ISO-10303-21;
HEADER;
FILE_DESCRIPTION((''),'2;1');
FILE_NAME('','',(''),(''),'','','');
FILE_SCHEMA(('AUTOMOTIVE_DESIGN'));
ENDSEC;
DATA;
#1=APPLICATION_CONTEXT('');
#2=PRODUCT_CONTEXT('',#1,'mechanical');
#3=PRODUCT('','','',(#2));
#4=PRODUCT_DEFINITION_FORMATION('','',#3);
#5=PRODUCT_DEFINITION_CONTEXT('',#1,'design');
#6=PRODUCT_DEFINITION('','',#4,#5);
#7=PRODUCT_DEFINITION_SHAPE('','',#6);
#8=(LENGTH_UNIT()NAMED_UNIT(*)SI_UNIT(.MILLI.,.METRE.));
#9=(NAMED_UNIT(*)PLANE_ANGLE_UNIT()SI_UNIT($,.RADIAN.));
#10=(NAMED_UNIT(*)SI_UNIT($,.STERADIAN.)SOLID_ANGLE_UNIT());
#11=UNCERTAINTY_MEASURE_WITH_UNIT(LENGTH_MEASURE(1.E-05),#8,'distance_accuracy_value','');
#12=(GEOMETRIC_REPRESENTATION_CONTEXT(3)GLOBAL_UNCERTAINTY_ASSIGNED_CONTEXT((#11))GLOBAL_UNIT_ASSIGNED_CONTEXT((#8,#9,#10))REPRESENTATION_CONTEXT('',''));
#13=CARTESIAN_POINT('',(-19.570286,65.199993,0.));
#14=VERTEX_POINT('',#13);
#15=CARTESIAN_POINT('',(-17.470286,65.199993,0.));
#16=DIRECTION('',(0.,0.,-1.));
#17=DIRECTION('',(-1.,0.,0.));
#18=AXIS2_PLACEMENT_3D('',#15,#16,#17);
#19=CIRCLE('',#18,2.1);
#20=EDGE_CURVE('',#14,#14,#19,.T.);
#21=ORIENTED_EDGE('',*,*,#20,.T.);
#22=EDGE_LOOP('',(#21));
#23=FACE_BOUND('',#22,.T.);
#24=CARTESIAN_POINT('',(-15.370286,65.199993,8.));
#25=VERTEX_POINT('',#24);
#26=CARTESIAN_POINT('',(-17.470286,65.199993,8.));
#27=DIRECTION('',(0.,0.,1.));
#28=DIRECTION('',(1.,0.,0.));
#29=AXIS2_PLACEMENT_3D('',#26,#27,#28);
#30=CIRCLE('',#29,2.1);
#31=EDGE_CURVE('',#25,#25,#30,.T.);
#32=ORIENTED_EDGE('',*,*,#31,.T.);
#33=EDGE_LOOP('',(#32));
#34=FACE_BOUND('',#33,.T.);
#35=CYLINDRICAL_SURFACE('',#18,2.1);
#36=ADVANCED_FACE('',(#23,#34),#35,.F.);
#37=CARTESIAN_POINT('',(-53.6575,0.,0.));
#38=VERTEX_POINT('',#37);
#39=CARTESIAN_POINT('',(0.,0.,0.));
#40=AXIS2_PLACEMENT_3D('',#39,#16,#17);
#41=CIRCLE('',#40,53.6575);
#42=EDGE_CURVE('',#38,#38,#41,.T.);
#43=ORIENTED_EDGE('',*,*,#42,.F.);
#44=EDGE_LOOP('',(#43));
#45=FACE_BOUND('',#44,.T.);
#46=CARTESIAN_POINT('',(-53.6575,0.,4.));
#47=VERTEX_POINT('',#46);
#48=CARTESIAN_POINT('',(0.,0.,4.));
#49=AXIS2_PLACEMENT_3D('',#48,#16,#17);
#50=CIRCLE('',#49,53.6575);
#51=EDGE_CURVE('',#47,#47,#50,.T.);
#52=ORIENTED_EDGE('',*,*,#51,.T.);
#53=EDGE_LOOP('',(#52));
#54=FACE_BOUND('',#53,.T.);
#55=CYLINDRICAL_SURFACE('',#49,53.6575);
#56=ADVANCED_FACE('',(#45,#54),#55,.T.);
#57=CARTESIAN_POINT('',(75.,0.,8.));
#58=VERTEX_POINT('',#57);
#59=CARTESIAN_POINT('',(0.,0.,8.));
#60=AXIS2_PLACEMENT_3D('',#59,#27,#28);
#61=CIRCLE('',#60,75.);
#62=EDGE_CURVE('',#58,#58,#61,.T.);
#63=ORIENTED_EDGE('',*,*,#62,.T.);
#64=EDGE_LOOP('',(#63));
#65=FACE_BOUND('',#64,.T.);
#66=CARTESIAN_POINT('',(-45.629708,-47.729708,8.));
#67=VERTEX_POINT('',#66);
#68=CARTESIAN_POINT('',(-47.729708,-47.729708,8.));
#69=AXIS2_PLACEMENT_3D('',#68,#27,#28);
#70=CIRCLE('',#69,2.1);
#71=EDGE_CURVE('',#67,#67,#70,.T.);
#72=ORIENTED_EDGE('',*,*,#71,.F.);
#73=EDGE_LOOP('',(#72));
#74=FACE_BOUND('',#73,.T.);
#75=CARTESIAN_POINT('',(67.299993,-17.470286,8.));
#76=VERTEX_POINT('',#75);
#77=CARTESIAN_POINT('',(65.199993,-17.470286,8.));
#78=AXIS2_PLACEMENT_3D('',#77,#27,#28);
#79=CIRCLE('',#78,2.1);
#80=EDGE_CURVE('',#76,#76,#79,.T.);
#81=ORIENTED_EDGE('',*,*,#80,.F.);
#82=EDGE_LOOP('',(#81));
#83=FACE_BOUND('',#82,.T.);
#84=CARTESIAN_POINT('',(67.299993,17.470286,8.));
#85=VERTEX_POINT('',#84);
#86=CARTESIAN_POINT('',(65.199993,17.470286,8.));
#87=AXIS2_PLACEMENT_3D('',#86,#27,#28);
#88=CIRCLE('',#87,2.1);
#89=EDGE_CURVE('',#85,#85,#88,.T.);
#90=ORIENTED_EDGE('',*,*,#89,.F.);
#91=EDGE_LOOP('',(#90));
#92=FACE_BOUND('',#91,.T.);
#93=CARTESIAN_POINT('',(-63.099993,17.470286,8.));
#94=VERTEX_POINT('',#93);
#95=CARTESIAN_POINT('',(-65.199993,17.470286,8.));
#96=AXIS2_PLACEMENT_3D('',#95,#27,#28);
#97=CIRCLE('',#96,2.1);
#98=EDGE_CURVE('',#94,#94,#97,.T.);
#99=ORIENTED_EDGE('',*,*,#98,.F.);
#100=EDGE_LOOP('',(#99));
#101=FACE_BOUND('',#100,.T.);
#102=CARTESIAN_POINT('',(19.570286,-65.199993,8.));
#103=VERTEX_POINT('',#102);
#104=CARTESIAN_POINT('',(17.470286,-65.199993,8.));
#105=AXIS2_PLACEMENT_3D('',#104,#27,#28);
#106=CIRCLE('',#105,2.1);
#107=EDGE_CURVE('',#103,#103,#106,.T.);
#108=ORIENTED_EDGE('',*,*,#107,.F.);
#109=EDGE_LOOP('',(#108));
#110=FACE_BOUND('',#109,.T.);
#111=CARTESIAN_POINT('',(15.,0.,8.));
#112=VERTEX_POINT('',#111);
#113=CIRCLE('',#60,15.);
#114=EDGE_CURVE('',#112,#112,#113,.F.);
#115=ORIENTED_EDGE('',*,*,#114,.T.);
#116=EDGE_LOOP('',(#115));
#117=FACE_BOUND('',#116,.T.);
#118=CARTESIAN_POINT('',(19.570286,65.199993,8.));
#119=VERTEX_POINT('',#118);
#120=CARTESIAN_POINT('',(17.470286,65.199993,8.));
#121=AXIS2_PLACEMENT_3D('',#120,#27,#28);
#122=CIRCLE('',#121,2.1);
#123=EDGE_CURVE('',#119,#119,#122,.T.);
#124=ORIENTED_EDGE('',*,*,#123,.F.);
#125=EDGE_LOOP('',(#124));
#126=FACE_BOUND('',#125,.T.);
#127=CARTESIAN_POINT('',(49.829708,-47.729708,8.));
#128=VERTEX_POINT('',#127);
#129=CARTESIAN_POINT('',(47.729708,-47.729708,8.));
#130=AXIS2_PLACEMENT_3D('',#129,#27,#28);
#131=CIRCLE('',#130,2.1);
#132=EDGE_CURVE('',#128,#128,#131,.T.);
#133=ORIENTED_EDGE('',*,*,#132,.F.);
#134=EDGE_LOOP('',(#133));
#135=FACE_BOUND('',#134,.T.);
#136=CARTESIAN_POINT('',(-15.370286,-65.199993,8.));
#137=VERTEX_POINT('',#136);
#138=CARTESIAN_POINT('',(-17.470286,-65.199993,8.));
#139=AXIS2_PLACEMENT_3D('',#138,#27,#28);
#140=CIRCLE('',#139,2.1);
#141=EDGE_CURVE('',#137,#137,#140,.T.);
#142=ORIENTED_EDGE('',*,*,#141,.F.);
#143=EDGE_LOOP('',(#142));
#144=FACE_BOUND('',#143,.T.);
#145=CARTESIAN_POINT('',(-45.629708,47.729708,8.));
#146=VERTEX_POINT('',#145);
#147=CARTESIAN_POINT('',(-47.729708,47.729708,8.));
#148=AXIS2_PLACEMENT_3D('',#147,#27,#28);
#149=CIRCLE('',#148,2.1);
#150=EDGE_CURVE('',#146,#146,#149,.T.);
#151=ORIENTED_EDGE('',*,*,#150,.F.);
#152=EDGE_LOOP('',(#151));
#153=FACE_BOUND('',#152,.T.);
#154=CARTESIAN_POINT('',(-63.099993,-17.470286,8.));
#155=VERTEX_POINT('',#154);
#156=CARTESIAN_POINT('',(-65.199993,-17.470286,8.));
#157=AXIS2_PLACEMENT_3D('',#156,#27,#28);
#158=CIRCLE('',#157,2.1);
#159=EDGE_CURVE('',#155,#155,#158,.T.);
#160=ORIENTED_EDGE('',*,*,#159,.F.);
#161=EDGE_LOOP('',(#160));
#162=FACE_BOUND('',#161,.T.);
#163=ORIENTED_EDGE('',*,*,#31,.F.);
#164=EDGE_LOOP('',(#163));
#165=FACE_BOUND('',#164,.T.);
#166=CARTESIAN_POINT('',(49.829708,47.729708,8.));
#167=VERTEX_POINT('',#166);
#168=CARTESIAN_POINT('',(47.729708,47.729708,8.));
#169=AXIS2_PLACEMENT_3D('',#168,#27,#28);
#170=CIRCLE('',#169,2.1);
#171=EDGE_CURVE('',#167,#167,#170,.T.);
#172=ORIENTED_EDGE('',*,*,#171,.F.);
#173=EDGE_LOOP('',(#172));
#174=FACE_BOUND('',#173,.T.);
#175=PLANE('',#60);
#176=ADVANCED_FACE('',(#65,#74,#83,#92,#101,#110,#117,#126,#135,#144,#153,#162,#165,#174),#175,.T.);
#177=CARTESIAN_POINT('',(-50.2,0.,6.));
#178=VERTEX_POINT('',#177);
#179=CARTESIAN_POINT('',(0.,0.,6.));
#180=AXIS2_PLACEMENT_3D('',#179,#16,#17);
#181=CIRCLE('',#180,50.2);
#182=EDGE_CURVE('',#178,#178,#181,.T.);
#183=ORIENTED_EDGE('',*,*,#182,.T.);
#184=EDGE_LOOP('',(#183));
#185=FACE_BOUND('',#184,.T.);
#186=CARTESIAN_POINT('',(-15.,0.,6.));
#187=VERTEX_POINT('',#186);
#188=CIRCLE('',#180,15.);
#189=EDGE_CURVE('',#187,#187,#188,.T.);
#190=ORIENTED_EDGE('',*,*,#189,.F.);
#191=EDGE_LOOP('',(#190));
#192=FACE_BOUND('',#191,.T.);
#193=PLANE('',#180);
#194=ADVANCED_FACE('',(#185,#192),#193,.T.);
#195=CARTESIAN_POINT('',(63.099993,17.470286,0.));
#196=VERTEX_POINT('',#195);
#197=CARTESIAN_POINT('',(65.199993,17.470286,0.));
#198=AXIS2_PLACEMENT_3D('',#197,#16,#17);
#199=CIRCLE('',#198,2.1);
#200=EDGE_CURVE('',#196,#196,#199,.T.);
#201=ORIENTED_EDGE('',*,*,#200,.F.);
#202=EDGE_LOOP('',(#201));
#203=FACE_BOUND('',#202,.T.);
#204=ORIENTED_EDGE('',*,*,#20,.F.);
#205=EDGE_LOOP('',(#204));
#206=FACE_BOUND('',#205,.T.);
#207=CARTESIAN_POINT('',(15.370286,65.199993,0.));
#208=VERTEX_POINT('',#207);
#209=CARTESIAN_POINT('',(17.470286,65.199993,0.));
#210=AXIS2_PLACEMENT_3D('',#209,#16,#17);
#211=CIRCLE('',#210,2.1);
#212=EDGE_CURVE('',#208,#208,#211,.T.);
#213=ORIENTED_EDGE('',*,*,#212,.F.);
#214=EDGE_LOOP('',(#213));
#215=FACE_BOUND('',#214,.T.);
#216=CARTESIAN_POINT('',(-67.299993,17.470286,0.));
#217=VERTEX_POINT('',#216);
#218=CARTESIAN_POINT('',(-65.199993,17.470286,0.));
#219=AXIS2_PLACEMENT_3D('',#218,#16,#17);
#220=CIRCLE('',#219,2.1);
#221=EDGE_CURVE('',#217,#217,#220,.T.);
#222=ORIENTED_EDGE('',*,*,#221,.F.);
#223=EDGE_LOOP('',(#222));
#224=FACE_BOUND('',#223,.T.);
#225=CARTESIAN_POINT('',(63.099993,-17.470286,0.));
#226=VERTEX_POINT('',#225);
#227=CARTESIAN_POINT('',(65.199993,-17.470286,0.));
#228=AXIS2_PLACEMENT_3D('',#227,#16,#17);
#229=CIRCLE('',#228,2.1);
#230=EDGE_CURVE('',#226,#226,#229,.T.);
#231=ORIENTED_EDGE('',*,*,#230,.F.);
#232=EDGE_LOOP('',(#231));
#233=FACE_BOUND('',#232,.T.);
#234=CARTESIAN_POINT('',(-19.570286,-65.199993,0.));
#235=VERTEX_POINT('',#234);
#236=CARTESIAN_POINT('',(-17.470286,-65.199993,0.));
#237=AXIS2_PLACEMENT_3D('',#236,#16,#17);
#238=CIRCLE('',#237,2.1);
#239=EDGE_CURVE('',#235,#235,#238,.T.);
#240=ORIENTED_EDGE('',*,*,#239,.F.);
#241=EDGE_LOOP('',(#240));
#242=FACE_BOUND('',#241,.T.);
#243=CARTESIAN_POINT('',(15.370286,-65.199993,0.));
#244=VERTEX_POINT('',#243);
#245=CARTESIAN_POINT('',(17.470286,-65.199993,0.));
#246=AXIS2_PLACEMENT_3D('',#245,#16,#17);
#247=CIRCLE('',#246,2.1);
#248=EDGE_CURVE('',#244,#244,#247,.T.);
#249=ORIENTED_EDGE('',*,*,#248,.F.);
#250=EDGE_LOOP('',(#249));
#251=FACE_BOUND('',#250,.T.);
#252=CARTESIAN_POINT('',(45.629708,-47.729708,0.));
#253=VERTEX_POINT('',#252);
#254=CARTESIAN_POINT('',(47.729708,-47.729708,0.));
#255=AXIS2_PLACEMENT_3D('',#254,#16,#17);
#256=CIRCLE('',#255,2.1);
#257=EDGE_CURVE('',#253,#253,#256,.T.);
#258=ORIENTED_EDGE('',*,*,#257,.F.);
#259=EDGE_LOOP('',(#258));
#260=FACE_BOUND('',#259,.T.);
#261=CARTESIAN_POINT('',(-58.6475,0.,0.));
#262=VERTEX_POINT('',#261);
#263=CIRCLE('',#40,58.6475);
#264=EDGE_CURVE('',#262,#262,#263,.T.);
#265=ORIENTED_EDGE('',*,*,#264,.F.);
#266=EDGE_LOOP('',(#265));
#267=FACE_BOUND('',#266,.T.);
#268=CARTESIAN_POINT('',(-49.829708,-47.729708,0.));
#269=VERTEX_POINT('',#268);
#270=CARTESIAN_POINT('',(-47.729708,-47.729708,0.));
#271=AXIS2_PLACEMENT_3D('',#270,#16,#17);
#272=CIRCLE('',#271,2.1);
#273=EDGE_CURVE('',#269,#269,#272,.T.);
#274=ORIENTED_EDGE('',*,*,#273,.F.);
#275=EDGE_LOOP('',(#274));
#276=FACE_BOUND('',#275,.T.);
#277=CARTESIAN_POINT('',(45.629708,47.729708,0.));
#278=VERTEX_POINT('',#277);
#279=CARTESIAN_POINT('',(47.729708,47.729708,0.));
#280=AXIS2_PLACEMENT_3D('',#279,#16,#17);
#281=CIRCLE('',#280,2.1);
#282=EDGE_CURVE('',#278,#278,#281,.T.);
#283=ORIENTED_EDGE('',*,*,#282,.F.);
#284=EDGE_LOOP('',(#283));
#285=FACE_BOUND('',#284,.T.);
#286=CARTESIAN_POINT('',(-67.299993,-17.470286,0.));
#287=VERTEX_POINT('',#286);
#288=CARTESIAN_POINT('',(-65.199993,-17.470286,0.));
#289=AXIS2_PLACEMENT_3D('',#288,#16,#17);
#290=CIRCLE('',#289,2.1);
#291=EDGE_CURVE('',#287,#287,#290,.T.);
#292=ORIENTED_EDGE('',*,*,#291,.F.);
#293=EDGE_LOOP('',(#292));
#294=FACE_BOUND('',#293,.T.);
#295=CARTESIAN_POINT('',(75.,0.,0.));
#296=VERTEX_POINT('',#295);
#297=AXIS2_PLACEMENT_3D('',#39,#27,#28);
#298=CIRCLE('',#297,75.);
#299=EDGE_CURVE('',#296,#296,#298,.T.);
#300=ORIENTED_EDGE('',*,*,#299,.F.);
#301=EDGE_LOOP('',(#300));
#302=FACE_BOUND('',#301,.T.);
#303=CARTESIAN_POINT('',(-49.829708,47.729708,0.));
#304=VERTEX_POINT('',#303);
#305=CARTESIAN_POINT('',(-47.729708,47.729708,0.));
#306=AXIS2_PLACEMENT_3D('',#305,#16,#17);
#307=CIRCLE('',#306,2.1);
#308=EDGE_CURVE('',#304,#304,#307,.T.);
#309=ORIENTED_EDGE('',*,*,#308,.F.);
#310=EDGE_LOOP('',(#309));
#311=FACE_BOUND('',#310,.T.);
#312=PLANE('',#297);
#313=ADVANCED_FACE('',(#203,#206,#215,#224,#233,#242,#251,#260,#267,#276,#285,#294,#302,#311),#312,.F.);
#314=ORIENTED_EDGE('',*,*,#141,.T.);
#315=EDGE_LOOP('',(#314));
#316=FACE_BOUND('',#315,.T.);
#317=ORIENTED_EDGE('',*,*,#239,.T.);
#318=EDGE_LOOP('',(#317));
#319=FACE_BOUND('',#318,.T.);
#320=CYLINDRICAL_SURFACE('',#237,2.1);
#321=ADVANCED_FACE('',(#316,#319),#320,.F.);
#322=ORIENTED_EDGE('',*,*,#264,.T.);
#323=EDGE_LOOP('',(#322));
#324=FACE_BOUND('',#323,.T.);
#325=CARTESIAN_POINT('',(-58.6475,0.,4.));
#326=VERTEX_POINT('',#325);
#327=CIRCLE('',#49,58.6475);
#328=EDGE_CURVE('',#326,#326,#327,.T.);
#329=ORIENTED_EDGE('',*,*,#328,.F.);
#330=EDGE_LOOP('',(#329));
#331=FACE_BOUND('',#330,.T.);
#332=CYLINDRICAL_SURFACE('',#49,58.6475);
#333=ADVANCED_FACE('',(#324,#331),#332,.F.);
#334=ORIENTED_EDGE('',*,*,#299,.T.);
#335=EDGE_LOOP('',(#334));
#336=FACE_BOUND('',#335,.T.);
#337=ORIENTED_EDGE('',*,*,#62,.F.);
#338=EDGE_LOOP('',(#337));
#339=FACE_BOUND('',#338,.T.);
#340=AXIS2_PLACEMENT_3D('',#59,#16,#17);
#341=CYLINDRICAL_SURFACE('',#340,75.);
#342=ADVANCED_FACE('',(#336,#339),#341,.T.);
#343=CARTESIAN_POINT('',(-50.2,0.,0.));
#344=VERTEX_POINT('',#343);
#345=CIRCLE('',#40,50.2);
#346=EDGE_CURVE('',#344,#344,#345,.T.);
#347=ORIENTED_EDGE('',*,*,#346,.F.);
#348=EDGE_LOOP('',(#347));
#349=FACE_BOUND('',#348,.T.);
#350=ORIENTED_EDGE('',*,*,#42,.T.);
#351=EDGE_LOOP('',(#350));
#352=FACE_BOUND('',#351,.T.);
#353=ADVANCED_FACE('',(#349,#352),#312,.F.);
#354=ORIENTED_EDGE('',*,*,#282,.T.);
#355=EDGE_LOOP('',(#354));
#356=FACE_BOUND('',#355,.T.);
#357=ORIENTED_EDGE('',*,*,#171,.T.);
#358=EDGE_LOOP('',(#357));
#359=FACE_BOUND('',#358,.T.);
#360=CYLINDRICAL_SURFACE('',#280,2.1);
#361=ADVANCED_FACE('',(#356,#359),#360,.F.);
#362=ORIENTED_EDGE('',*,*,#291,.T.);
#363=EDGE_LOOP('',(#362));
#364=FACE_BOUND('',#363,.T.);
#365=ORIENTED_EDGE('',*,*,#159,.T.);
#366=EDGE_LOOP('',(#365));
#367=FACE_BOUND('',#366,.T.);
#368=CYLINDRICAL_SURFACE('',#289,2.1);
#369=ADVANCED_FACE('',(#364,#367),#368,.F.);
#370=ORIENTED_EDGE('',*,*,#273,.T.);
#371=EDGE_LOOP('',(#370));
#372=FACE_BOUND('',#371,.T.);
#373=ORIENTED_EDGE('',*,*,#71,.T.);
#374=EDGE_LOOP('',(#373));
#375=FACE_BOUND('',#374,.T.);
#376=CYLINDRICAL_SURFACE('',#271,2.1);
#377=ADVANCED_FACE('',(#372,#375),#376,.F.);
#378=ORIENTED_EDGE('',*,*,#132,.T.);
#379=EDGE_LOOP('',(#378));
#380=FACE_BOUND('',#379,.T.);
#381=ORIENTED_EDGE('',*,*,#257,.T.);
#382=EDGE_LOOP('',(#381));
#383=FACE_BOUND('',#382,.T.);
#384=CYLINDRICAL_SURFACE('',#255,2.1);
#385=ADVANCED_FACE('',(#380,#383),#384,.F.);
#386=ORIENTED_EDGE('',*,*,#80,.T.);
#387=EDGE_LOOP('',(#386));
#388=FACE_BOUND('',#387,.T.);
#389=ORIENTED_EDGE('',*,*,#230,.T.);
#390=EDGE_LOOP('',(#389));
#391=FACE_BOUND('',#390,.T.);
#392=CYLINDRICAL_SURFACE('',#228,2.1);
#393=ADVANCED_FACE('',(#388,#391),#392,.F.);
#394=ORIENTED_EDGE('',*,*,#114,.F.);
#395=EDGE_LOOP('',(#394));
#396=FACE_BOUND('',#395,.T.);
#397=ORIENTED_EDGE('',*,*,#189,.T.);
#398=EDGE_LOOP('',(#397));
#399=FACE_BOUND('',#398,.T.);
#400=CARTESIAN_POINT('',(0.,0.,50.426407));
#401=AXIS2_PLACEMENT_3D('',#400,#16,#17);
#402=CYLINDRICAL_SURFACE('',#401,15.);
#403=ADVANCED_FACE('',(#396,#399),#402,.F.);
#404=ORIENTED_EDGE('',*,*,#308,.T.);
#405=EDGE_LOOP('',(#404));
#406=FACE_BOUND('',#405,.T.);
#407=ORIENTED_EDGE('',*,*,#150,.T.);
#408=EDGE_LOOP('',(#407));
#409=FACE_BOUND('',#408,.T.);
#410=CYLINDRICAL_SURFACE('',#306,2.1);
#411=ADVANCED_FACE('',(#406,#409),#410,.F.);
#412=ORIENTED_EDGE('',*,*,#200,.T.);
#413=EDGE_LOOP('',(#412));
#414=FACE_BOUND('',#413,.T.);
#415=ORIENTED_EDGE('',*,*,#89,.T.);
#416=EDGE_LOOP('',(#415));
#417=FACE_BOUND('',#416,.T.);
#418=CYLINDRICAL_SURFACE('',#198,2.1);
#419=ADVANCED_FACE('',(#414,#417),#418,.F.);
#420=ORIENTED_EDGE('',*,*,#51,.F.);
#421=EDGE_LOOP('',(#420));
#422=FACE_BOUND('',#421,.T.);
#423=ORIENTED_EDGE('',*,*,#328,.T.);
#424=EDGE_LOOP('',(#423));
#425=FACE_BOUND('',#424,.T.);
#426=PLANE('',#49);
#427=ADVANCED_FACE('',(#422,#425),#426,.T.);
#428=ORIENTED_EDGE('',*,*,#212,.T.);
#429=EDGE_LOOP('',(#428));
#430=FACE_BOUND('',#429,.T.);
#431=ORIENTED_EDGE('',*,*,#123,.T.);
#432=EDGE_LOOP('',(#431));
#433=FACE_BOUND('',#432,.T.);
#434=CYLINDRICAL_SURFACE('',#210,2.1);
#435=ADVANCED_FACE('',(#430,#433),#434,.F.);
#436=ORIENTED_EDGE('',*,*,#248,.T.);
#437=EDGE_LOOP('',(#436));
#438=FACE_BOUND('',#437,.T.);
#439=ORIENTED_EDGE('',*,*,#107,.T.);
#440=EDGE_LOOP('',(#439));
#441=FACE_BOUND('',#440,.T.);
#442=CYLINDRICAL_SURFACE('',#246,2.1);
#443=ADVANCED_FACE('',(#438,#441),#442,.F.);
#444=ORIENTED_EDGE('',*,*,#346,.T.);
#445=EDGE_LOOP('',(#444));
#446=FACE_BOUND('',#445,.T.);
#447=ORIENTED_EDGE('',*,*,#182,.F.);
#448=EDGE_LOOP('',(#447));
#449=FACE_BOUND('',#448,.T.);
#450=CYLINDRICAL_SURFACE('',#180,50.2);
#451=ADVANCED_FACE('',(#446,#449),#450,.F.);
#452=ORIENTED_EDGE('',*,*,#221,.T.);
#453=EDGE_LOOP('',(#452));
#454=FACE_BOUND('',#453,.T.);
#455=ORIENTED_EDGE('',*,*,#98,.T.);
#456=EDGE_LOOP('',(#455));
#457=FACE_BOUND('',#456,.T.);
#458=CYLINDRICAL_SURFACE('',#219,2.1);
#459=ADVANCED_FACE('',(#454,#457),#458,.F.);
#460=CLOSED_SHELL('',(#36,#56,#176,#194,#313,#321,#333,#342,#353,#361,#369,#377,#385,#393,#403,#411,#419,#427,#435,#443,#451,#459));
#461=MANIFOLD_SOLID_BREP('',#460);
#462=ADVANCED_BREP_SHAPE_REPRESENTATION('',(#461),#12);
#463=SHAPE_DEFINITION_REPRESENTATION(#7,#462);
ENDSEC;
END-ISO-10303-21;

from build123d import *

# Parameters (mm, degrees)
SKETCH1_R             = 75
BOSS_EXTRUDE1_DEPTH   = 8
M5X0_8_TAPPED_HOLE1_D = 4.2
SKETCH11_R            = 50.2
CUT_EXTRUDE3_DEPTH    = 6
SKETCH12_R            = 58.6475
SKETCH12_R_2          = 53.6575
CUT_EXTRUDE4_DEPTH    = 4
SKETCH13_R            = 15
CUT_EXTRUDE5_DEPTH    = 2


with BuildPart() as part:
    # Sketch1 → Boss-Extrude1 (new body)
    with BuildSketch(Plane.XY):
        Circle(SKETCH1_R)
    extrude(amount=BOSS_EXTRUDE1_DEPTH)

    # M5x0.8 Tapped Hole1 (through all)
    with Locations(Plane(origin=(0, 0, 0), x_dir=(-1, 0, 0), z_dir=(0, 0, -1))):
        with Locations((-17.470285544, -65.199993275), (-47.72970773, 47.72970773), (65.199993275, -17.470285544), (47.72970773, -47.72970773), (-65.199993275, 17.470285544), (-17.470285544, 65.199993275), (-65.199993275, -17.470285544), (-47.72970773, -47.72970773), (17.470285544, -65.199993275), (65.199993275, 17.470285544), (47.72970773, 47.72970773), (17.470285544, 65.199993275)):
            Hole(M5X0_8_TAPPED_HOLE1_D / 2)

    # Sketch11 → Cut-Extrude3 (cut)
    with BuildSketch(Plane(origin=(0, 0, 0), x_dir=(-1, 0, 0), z_dir=(0, 0, -1))):
        Circle(SKETCH11_R)
    extrude(amount=-CUT_EXTRUDE3_DEPTH, mode=Mode.SUBTRACT)

    # Sketch12 → Cut-Extrude4 (cut)
    with BuildSketch(Plane(origin=(0, 0, 0), x_dir=(-1, 0, 0), z_dir=(0, 0, -1))):
        Circle(SKETCH12_R)
        Circle(SKETCH12_R_2, mode=Mode.SUBTRACT)
    extrude(amount=-CUT_EXTRUDE4_DEPTH, mode=Mode.SUBTRACT)

    # Sketch13 → Cut-Extrude5 (cut)
    with BuildSketch(Plane(origin=(0, 0, 6), x_dir=(-1, 0, 0), z_dir=(0, 0, -1))):
        Circle(SKETCH13_R)
    extrude(amount=-CUT_EXTRUDE5_DEPTH, mode=Mode.SUBTRACT)


solid = part.part
